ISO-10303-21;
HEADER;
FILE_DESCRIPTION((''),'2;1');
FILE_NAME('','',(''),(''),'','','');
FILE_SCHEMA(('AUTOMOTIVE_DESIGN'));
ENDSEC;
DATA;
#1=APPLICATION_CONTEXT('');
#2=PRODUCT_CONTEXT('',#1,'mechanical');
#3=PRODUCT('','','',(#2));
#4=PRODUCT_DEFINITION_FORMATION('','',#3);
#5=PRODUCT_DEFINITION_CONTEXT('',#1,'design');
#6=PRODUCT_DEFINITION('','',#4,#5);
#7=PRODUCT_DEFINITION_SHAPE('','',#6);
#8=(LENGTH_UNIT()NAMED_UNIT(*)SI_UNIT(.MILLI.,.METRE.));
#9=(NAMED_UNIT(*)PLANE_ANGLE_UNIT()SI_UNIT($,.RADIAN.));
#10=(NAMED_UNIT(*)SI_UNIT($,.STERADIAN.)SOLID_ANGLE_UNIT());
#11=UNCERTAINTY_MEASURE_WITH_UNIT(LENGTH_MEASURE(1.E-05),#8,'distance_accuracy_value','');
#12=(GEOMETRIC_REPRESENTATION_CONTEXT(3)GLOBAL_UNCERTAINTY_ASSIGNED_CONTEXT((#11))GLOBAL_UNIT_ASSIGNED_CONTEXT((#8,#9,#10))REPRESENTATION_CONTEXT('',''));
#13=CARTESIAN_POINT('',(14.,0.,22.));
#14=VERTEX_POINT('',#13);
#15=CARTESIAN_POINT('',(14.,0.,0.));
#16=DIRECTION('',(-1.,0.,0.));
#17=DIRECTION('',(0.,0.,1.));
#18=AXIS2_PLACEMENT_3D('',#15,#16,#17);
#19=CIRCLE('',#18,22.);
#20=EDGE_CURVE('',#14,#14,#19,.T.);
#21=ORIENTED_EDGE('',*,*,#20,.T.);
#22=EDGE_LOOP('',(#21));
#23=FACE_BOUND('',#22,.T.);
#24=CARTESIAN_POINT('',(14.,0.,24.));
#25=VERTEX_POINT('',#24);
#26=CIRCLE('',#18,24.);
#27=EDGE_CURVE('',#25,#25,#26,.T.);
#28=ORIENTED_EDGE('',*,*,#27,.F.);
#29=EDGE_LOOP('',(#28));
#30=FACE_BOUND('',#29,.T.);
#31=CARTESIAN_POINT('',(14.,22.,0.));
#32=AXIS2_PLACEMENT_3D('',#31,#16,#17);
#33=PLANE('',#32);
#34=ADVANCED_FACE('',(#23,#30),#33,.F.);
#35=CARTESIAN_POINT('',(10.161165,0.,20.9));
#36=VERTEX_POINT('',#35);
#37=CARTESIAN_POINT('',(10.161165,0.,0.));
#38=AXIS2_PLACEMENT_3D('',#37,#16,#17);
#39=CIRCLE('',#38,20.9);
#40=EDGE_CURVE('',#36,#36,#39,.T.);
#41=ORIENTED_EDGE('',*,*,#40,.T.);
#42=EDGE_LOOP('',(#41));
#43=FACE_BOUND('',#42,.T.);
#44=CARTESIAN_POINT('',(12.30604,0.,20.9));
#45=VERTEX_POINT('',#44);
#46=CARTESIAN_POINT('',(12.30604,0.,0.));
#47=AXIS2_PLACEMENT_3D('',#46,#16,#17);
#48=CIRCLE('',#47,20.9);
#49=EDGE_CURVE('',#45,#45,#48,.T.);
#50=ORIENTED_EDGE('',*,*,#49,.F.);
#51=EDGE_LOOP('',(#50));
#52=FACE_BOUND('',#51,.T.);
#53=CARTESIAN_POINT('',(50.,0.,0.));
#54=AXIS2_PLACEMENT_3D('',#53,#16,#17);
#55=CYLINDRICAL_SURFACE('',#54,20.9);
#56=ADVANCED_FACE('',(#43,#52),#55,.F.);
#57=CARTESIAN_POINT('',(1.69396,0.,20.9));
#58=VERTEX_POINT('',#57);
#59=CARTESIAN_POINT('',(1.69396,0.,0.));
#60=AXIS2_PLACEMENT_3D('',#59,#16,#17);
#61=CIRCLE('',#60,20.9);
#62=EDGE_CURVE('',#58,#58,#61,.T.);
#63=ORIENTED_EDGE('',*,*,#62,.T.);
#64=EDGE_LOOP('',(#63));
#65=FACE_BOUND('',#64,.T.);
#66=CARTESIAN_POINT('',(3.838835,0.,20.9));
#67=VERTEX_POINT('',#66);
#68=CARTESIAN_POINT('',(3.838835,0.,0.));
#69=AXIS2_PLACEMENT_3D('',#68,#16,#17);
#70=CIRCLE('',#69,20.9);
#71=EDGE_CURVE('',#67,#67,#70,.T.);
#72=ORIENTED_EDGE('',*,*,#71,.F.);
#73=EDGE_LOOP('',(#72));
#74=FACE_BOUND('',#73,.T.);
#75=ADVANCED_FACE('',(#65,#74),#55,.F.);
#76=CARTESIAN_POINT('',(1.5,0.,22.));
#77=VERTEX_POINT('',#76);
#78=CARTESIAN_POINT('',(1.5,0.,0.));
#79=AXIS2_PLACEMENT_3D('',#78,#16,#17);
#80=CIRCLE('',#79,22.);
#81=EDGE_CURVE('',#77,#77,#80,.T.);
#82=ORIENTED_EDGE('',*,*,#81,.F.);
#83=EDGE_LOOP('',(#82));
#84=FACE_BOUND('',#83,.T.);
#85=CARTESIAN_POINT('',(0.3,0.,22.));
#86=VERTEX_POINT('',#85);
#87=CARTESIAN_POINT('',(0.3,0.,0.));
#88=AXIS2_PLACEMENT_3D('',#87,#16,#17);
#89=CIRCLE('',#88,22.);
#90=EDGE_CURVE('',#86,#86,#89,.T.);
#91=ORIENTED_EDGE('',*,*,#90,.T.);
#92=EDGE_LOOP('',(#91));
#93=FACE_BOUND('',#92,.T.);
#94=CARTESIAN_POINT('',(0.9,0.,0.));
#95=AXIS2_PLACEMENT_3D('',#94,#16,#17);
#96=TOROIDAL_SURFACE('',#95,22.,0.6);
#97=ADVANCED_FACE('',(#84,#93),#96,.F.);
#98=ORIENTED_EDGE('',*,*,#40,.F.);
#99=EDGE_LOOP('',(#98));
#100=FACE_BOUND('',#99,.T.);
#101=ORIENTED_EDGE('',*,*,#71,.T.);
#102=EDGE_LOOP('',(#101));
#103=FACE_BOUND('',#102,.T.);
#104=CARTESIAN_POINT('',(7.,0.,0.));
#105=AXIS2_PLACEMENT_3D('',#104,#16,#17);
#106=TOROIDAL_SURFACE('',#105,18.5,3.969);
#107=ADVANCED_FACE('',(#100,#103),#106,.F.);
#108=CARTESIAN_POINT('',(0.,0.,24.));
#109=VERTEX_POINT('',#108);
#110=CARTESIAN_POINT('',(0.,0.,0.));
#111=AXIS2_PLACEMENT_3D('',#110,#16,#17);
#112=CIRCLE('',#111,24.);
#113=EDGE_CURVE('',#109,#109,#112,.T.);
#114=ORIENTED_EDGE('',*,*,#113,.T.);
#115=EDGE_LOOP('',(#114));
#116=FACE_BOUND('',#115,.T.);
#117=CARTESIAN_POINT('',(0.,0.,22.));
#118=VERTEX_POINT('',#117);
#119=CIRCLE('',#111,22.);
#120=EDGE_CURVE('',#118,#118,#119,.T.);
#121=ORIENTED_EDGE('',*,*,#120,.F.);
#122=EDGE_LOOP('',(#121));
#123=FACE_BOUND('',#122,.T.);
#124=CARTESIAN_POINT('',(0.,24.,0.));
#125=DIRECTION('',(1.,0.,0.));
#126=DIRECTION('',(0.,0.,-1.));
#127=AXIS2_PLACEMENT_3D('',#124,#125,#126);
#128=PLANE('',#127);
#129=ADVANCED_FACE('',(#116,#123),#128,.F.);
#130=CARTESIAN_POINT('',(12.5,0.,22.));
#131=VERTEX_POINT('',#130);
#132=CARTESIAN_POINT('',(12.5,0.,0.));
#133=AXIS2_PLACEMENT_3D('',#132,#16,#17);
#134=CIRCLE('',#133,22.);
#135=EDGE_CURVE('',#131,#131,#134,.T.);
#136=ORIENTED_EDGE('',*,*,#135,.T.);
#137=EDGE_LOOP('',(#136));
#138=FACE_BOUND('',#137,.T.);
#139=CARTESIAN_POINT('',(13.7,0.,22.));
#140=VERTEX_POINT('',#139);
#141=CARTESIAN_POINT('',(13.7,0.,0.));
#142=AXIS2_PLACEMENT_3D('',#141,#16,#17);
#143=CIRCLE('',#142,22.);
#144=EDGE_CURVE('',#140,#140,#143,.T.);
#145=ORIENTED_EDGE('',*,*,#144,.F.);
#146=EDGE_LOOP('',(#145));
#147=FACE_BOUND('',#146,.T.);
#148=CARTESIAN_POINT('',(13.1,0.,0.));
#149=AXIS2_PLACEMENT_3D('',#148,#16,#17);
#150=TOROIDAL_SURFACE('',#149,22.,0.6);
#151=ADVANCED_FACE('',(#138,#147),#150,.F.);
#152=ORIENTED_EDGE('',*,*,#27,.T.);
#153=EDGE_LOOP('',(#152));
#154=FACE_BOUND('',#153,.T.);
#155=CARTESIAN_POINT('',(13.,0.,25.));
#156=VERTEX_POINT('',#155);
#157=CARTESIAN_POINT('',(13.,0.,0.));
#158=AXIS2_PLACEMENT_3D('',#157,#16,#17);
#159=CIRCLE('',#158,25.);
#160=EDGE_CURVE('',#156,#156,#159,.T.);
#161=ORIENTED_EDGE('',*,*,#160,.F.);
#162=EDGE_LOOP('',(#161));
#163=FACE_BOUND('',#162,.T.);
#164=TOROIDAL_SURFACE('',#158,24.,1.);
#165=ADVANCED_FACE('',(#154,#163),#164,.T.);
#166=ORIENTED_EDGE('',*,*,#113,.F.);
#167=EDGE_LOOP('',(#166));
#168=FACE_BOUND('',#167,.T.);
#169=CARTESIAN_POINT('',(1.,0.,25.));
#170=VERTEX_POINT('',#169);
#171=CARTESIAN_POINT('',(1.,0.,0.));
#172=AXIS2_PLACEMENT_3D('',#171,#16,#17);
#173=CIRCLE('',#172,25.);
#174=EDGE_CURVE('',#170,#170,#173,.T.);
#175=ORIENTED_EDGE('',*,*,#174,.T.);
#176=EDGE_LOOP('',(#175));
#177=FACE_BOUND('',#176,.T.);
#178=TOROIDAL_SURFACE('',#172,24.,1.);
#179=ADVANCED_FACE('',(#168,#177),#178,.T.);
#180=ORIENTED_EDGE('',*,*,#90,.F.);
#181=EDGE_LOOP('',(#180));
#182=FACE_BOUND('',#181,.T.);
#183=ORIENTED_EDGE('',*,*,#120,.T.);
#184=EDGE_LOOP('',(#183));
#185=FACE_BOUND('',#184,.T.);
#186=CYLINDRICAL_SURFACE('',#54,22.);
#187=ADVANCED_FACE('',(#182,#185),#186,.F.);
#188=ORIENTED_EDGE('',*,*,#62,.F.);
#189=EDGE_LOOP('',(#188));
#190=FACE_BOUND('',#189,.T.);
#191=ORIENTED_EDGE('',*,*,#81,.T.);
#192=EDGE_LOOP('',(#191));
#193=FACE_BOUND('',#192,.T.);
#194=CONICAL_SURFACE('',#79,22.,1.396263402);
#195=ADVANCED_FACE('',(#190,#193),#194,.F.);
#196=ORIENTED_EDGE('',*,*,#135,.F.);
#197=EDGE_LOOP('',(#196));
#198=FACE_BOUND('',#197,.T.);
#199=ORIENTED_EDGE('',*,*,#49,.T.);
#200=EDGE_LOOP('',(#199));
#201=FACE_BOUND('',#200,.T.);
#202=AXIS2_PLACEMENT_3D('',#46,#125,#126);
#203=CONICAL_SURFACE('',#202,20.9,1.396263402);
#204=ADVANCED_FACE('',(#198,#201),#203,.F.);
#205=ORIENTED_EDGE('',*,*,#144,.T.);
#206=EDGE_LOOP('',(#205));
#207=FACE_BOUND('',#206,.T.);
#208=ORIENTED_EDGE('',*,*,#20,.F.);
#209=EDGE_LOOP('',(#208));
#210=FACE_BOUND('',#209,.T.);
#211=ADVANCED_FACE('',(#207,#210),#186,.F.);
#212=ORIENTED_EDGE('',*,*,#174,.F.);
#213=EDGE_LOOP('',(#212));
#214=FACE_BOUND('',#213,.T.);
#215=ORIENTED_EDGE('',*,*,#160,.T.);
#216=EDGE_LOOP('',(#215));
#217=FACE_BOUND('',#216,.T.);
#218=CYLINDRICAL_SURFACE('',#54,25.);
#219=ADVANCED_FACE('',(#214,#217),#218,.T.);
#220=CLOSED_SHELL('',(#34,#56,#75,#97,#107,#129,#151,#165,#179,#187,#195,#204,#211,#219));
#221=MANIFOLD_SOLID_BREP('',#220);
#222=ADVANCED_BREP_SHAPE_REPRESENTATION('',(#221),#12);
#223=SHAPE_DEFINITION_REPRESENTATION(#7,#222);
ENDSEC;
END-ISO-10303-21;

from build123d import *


with BuildPart() as part:
    # Sketch1 → Revolução1 (revolve)
    with BuildSketch(Plane.XY, mode=Mode.PRIVATE) as revolu_o1_sk:
        with BuildLine():
            Line((0, 22), (0.3, 22))
            ThreePointArc((0.3, 22), (0.9, 22.6), (1.5, 22))
            Line((1.5, 22), (1.693959679, 20.9))
            Line((1.693959679, 20.9), (3.838835499, 20.9))
            ThreePointArc((3.838835499, 20.9), (7, 22.469), (10.161164501, 20.9))
            Line((10.161164501, 20.9), (12.306040321, 20.9))
            Line((12.306040321, 20.9), (12.5, 22))
            ThreePointArc((12.5, 22), (13.1, 22.6), (13.7, 22))
            Line((13.7, 22), (14, 22))
            Line((14, 22), (14, 24))
            ThreePointArc((14, 24), (13.707106781, 24.707106781), (13, 25))
            Line((13, 25), (1, 25))
            ThreePointArc((1, 25), (0.292893219, 24.707106781), (0, 24))
            Line((0, 24), (0, 22))
        make_face()
    revolve(revolu_o1_sk.sketch.rotate(Axis((50, 0, 0), (-1, 0, 0)), 270), axis=Axis((50, 0, 0), (-1, 0, 0)))


solid = part.part
